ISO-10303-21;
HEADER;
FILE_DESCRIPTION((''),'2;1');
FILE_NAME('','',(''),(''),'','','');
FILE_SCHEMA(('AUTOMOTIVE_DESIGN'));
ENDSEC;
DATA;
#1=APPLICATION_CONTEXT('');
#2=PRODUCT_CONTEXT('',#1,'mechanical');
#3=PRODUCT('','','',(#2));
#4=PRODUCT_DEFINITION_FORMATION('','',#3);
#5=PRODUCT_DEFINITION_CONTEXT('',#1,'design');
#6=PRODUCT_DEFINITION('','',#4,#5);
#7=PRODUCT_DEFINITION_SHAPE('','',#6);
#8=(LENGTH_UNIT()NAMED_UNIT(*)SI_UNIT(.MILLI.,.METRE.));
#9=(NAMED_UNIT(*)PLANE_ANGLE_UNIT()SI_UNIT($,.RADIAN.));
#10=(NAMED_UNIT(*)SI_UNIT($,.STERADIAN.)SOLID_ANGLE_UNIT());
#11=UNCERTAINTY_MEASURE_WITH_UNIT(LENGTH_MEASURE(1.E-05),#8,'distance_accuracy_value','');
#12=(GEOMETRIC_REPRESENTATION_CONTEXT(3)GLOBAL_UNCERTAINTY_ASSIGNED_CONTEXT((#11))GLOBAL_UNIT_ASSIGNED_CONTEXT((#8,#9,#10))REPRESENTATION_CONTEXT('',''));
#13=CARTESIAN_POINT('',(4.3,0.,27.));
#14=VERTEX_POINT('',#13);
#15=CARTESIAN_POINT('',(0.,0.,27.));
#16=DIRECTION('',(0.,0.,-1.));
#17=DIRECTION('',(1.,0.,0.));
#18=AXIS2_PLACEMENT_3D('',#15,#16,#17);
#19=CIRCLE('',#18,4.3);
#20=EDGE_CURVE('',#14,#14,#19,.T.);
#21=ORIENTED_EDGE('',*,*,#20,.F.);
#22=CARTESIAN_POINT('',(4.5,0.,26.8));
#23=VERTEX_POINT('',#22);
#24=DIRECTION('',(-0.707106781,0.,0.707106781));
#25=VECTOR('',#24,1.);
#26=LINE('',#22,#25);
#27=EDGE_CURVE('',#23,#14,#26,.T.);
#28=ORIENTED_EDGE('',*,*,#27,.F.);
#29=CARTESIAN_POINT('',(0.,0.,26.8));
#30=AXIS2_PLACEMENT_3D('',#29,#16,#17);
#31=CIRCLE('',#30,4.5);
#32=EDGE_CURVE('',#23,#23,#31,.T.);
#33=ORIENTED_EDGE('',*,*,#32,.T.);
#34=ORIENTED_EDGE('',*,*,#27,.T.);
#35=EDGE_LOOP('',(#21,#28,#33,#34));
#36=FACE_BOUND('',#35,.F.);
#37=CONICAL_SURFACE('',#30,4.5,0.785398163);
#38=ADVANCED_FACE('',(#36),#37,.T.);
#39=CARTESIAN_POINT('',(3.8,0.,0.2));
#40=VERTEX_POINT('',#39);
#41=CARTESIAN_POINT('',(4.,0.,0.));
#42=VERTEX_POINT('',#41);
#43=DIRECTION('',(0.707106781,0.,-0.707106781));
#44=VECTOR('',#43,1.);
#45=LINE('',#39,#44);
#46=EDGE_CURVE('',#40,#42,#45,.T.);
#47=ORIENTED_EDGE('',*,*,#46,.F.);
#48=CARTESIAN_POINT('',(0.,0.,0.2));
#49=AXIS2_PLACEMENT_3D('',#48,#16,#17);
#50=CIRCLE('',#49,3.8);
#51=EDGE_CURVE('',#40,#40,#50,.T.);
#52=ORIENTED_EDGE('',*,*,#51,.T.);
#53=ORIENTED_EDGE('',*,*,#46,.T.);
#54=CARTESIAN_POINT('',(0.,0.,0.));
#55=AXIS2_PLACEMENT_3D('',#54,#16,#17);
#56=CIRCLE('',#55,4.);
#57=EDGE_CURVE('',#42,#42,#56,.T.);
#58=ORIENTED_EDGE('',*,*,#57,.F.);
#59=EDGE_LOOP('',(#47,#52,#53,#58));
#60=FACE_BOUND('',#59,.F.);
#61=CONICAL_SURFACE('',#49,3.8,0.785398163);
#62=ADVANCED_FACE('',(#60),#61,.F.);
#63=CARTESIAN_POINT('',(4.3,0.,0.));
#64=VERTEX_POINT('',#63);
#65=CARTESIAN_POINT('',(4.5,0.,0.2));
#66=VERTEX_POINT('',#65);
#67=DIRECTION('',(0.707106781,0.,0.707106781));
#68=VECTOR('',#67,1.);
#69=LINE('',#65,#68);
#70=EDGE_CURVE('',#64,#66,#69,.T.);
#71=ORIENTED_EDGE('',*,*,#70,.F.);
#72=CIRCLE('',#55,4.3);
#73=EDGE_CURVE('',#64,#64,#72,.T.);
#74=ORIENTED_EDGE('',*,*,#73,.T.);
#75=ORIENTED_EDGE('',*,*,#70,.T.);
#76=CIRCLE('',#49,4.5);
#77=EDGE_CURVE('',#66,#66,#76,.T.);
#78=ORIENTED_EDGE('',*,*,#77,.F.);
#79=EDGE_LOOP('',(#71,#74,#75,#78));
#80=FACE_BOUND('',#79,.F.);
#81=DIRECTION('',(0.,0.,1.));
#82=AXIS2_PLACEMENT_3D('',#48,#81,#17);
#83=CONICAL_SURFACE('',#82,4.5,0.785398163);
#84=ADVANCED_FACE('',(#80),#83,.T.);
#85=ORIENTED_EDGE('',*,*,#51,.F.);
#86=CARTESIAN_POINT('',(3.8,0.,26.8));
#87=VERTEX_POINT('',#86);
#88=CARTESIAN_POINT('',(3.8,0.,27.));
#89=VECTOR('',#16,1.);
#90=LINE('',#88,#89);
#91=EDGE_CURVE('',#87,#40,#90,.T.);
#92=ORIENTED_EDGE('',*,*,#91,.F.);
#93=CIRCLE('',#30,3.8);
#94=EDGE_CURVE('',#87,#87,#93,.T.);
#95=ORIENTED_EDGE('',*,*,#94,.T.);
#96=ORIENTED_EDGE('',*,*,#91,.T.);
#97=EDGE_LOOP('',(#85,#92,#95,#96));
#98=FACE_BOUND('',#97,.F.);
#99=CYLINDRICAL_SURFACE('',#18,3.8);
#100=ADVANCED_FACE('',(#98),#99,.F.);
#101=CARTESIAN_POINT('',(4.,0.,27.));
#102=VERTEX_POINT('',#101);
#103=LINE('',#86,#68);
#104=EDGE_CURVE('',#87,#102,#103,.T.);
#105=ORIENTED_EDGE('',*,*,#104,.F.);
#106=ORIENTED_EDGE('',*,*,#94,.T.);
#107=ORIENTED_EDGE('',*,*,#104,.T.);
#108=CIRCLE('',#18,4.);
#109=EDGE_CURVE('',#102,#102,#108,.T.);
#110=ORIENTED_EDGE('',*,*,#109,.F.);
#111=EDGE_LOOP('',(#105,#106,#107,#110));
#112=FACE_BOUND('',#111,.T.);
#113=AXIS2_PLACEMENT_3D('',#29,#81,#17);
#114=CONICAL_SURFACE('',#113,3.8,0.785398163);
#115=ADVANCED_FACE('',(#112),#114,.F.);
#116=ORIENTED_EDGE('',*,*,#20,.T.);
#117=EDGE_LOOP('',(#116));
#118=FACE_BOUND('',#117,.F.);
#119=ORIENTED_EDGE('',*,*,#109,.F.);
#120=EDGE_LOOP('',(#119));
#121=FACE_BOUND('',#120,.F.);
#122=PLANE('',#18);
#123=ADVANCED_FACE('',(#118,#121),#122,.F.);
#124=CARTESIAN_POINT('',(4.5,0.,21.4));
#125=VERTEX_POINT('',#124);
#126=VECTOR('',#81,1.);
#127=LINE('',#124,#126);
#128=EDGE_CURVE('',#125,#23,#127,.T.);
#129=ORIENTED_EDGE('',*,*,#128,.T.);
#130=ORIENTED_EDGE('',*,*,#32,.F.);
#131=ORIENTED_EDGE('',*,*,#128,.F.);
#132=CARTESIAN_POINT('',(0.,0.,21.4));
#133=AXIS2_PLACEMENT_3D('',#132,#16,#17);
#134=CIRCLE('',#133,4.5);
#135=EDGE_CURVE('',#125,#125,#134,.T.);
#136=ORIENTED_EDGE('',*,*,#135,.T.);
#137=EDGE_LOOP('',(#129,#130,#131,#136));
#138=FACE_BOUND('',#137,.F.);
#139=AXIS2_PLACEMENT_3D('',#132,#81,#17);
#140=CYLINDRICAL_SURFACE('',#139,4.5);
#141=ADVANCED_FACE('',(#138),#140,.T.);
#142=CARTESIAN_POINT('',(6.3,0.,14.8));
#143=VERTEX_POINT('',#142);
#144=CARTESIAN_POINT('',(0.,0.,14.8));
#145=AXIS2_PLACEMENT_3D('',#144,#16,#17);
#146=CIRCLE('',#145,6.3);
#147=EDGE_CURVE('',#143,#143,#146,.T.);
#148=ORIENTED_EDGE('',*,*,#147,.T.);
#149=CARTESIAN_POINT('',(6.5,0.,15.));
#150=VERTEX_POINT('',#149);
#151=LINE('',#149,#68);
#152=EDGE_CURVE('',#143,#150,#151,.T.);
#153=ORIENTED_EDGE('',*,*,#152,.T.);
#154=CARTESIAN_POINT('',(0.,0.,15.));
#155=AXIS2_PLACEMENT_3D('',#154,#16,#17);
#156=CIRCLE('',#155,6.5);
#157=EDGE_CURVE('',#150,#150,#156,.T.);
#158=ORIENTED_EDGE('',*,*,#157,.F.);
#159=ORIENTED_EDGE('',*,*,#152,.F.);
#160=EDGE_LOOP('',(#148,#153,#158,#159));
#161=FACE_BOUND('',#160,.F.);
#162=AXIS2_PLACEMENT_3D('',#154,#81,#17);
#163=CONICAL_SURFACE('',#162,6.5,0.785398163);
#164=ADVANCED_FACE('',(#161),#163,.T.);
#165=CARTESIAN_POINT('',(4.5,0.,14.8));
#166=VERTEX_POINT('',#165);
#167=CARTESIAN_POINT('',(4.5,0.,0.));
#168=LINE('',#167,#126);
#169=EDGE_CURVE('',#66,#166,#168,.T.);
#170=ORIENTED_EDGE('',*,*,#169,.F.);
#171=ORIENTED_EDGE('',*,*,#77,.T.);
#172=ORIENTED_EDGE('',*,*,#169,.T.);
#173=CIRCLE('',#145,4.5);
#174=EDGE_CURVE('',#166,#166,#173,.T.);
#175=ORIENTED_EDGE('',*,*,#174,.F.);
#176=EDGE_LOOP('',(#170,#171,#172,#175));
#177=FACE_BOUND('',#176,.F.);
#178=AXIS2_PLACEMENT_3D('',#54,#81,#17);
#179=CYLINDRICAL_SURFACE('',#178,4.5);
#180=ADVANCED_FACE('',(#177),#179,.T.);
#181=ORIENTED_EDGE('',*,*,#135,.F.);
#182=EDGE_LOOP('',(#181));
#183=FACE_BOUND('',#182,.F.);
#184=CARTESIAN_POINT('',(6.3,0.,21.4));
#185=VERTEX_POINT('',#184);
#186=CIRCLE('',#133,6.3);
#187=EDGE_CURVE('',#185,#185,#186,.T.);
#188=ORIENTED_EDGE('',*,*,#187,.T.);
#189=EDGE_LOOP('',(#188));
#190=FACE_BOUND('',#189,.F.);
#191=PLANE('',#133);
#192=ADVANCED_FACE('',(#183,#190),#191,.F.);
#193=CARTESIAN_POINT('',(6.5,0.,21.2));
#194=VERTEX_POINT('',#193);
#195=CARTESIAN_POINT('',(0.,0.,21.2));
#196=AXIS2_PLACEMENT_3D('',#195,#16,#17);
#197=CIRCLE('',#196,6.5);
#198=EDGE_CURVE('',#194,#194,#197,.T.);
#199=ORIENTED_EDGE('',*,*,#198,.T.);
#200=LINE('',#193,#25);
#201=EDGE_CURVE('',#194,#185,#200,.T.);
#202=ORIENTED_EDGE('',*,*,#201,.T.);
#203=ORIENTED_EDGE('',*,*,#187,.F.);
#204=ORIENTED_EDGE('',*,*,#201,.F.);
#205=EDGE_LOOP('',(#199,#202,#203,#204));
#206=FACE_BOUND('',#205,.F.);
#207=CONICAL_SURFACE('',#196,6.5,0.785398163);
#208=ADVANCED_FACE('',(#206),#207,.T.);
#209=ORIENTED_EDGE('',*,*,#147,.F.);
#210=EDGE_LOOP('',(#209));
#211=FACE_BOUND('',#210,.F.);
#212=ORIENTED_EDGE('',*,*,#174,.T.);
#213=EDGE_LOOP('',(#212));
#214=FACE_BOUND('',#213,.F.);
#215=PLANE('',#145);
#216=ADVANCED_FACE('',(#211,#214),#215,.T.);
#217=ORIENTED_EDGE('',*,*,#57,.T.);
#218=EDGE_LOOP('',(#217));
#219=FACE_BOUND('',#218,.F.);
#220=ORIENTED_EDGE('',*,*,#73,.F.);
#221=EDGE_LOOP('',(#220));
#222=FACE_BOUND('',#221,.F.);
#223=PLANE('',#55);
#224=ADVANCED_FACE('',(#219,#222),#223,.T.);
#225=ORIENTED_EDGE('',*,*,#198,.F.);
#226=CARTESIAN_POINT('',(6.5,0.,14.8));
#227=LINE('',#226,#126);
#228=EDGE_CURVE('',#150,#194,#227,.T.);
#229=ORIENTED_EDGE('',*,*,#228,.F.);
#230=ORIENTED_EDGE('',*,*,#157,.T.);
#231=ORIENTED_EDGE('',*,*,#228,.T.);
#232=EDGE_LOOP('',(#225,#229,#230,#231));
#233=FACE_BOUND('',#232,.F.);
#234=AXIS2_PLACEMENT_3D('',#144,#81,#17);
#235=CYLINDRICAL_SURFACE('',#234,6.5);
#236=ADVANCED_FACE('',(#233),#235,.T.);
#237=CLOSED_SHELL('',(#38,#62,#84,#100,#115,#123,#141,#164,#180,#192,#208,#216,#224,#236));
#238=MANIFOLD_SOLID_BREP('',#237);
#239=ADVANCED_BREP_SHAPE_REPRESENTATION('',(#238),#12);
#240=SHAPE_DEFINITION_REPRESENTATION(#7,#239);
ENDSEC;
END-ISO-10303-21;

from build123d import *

# Parameters (mm, degrees)
F2_SIZE = 0.2


with BuildPart() as f1:
    # F0 (on Front) → F1 (revolve)
    with BuildSketch(Plane.XZ):
        Polygon((3.8, 27), (3.8, 0), (4.5, 0), (4.5, 14.8), (6.5, 14.8), (6.5, 21.4), (4.5, 21.4), (4.5, 27), align=None)
    revolve(axis=Axis((0, 0, 50), (0, 0, -1)))

    # F2
    f2_edges = [f1.edges().sort_by_distance(p)[0] for p in [
        (-4.5, 0, 0),
        (-6.5, 0, 14.8),
        (-6.5, 0, 21.4),
        (-4.5, 0, 27),
        (-3.8, 0, 27),
        (-3.8, 0, 0),
    ]]
    chamfer(f2_edges, length=F2_SIZE)


solid = f1.part
